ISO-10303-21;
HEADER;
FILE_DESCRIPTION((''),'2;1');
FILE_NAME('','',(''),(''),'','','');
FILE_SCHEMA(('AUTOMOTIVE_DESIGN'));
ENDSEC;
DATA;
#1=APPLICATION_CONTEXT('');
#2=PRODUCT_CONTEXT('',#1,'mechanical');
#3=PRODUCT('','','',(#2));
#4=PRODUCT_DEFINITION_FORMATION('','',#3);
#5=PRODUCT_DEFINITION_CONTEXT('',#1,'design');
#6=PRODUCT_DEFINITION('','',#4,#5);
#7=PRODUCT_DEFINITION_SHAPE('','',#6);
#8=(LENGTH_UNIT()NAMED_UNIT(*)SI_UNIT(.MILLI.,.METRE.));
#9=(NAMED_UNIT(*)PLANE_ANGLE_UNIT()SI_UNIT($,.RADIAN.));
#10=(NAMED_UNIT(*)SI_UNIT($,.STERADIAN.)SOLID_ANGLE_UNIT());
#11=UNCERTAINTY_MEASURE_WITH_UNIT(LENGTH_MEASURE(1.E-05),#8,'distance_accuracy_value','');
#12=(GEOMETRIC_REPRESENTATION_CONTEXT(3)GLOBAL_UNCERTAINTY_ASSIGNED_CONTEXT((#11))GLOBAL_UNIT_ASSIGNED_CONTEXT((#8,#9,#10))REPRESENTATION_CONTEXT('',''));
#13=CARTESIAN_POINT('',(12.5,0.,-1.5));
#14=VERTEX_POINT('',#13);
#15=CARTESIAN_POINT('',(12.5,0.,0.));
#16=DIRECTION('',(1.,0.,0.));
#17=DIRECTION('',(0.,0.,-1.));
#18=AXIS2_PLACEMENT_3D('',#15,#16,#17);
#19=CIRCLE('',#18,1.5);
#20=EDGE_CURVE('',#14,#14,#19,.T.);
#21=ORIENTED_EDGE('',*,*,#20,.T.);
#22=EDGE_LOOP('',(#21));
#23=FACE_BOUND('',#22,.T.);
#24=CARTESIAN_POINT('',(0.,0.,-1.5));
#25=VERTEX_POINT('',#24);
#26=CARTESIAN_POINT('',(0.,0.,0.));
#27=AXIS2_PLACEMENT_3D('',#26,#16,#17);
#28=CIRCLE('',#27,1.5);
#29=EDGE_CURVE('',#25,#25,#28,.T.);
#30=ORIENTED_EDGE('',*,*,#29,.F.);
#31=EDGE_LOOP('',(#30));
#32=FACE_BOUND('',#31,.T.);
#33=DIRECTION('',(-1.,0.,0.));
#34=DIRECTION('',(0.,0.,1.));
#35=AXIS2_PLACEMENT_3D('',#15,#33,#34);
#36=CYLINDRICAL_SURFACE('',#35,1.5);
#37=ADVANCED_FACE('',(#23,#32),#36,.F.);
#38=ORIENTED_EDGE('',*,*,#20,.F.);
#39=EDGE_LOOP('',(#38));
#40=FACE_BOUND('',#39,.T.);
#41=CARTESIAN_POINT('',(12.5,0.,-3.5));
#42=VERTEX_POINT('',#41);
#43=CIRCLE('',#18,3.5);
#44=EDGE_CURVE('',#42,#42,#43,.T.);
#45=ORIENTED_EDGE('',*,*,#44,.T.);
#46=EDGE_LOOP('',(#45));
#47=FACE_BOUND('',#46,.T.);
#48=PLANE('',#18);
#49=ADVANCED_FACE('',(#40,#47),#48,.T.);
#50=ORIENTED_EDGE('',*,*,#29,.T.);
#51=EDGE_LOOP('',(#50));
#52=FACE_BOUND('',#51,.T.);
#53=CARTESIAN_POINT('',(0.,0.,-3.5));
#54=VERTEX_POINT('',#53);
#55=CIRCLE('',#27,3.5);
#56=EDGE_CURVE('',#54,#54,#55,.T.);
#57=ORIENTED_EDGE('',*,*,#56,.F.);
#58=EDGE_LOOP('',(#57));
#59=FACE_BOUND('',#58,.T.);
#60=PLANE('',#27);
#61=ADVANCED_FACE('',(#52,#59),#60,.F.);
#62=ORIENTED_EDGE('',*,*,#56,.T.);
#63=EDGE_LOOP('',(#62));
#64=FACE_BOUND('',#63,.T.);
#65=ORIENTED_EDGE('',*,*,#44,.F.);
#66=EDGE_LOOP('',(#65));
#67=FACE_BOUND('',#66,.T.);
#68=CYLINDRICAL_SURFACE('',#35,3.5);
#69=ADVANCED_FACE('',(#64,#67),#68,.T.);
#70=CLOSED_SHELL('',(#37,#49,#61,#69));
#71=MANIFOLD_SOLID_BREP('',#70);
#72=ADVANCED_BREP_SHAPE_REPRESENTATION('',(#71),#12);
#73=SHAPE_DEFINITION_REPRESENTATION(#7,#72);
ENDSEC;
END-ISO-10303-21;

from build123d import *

# Parameters (mm, degrees)
SKETCH_1_R      = 3.5
SKETCH_1_R_2    = 1.5
EXTRUDE_1_DEPTH = 12.5


with BuildPart() as part:
    # 草图1 → 凸台-拉伸1 (new body)
    with BuildSketch(Plane(origin=(0, 0, 0), x_dir=(0, 0, -1), z_dir=(1, 0, 0))):
        Circle(SKETCH_1_R)
        Circle(SKETCH_1_R_2, mode=Mode.SUBTRACT)
    extrude(amount=EXTRUDE_1_DEPTH)


solid = part.part
